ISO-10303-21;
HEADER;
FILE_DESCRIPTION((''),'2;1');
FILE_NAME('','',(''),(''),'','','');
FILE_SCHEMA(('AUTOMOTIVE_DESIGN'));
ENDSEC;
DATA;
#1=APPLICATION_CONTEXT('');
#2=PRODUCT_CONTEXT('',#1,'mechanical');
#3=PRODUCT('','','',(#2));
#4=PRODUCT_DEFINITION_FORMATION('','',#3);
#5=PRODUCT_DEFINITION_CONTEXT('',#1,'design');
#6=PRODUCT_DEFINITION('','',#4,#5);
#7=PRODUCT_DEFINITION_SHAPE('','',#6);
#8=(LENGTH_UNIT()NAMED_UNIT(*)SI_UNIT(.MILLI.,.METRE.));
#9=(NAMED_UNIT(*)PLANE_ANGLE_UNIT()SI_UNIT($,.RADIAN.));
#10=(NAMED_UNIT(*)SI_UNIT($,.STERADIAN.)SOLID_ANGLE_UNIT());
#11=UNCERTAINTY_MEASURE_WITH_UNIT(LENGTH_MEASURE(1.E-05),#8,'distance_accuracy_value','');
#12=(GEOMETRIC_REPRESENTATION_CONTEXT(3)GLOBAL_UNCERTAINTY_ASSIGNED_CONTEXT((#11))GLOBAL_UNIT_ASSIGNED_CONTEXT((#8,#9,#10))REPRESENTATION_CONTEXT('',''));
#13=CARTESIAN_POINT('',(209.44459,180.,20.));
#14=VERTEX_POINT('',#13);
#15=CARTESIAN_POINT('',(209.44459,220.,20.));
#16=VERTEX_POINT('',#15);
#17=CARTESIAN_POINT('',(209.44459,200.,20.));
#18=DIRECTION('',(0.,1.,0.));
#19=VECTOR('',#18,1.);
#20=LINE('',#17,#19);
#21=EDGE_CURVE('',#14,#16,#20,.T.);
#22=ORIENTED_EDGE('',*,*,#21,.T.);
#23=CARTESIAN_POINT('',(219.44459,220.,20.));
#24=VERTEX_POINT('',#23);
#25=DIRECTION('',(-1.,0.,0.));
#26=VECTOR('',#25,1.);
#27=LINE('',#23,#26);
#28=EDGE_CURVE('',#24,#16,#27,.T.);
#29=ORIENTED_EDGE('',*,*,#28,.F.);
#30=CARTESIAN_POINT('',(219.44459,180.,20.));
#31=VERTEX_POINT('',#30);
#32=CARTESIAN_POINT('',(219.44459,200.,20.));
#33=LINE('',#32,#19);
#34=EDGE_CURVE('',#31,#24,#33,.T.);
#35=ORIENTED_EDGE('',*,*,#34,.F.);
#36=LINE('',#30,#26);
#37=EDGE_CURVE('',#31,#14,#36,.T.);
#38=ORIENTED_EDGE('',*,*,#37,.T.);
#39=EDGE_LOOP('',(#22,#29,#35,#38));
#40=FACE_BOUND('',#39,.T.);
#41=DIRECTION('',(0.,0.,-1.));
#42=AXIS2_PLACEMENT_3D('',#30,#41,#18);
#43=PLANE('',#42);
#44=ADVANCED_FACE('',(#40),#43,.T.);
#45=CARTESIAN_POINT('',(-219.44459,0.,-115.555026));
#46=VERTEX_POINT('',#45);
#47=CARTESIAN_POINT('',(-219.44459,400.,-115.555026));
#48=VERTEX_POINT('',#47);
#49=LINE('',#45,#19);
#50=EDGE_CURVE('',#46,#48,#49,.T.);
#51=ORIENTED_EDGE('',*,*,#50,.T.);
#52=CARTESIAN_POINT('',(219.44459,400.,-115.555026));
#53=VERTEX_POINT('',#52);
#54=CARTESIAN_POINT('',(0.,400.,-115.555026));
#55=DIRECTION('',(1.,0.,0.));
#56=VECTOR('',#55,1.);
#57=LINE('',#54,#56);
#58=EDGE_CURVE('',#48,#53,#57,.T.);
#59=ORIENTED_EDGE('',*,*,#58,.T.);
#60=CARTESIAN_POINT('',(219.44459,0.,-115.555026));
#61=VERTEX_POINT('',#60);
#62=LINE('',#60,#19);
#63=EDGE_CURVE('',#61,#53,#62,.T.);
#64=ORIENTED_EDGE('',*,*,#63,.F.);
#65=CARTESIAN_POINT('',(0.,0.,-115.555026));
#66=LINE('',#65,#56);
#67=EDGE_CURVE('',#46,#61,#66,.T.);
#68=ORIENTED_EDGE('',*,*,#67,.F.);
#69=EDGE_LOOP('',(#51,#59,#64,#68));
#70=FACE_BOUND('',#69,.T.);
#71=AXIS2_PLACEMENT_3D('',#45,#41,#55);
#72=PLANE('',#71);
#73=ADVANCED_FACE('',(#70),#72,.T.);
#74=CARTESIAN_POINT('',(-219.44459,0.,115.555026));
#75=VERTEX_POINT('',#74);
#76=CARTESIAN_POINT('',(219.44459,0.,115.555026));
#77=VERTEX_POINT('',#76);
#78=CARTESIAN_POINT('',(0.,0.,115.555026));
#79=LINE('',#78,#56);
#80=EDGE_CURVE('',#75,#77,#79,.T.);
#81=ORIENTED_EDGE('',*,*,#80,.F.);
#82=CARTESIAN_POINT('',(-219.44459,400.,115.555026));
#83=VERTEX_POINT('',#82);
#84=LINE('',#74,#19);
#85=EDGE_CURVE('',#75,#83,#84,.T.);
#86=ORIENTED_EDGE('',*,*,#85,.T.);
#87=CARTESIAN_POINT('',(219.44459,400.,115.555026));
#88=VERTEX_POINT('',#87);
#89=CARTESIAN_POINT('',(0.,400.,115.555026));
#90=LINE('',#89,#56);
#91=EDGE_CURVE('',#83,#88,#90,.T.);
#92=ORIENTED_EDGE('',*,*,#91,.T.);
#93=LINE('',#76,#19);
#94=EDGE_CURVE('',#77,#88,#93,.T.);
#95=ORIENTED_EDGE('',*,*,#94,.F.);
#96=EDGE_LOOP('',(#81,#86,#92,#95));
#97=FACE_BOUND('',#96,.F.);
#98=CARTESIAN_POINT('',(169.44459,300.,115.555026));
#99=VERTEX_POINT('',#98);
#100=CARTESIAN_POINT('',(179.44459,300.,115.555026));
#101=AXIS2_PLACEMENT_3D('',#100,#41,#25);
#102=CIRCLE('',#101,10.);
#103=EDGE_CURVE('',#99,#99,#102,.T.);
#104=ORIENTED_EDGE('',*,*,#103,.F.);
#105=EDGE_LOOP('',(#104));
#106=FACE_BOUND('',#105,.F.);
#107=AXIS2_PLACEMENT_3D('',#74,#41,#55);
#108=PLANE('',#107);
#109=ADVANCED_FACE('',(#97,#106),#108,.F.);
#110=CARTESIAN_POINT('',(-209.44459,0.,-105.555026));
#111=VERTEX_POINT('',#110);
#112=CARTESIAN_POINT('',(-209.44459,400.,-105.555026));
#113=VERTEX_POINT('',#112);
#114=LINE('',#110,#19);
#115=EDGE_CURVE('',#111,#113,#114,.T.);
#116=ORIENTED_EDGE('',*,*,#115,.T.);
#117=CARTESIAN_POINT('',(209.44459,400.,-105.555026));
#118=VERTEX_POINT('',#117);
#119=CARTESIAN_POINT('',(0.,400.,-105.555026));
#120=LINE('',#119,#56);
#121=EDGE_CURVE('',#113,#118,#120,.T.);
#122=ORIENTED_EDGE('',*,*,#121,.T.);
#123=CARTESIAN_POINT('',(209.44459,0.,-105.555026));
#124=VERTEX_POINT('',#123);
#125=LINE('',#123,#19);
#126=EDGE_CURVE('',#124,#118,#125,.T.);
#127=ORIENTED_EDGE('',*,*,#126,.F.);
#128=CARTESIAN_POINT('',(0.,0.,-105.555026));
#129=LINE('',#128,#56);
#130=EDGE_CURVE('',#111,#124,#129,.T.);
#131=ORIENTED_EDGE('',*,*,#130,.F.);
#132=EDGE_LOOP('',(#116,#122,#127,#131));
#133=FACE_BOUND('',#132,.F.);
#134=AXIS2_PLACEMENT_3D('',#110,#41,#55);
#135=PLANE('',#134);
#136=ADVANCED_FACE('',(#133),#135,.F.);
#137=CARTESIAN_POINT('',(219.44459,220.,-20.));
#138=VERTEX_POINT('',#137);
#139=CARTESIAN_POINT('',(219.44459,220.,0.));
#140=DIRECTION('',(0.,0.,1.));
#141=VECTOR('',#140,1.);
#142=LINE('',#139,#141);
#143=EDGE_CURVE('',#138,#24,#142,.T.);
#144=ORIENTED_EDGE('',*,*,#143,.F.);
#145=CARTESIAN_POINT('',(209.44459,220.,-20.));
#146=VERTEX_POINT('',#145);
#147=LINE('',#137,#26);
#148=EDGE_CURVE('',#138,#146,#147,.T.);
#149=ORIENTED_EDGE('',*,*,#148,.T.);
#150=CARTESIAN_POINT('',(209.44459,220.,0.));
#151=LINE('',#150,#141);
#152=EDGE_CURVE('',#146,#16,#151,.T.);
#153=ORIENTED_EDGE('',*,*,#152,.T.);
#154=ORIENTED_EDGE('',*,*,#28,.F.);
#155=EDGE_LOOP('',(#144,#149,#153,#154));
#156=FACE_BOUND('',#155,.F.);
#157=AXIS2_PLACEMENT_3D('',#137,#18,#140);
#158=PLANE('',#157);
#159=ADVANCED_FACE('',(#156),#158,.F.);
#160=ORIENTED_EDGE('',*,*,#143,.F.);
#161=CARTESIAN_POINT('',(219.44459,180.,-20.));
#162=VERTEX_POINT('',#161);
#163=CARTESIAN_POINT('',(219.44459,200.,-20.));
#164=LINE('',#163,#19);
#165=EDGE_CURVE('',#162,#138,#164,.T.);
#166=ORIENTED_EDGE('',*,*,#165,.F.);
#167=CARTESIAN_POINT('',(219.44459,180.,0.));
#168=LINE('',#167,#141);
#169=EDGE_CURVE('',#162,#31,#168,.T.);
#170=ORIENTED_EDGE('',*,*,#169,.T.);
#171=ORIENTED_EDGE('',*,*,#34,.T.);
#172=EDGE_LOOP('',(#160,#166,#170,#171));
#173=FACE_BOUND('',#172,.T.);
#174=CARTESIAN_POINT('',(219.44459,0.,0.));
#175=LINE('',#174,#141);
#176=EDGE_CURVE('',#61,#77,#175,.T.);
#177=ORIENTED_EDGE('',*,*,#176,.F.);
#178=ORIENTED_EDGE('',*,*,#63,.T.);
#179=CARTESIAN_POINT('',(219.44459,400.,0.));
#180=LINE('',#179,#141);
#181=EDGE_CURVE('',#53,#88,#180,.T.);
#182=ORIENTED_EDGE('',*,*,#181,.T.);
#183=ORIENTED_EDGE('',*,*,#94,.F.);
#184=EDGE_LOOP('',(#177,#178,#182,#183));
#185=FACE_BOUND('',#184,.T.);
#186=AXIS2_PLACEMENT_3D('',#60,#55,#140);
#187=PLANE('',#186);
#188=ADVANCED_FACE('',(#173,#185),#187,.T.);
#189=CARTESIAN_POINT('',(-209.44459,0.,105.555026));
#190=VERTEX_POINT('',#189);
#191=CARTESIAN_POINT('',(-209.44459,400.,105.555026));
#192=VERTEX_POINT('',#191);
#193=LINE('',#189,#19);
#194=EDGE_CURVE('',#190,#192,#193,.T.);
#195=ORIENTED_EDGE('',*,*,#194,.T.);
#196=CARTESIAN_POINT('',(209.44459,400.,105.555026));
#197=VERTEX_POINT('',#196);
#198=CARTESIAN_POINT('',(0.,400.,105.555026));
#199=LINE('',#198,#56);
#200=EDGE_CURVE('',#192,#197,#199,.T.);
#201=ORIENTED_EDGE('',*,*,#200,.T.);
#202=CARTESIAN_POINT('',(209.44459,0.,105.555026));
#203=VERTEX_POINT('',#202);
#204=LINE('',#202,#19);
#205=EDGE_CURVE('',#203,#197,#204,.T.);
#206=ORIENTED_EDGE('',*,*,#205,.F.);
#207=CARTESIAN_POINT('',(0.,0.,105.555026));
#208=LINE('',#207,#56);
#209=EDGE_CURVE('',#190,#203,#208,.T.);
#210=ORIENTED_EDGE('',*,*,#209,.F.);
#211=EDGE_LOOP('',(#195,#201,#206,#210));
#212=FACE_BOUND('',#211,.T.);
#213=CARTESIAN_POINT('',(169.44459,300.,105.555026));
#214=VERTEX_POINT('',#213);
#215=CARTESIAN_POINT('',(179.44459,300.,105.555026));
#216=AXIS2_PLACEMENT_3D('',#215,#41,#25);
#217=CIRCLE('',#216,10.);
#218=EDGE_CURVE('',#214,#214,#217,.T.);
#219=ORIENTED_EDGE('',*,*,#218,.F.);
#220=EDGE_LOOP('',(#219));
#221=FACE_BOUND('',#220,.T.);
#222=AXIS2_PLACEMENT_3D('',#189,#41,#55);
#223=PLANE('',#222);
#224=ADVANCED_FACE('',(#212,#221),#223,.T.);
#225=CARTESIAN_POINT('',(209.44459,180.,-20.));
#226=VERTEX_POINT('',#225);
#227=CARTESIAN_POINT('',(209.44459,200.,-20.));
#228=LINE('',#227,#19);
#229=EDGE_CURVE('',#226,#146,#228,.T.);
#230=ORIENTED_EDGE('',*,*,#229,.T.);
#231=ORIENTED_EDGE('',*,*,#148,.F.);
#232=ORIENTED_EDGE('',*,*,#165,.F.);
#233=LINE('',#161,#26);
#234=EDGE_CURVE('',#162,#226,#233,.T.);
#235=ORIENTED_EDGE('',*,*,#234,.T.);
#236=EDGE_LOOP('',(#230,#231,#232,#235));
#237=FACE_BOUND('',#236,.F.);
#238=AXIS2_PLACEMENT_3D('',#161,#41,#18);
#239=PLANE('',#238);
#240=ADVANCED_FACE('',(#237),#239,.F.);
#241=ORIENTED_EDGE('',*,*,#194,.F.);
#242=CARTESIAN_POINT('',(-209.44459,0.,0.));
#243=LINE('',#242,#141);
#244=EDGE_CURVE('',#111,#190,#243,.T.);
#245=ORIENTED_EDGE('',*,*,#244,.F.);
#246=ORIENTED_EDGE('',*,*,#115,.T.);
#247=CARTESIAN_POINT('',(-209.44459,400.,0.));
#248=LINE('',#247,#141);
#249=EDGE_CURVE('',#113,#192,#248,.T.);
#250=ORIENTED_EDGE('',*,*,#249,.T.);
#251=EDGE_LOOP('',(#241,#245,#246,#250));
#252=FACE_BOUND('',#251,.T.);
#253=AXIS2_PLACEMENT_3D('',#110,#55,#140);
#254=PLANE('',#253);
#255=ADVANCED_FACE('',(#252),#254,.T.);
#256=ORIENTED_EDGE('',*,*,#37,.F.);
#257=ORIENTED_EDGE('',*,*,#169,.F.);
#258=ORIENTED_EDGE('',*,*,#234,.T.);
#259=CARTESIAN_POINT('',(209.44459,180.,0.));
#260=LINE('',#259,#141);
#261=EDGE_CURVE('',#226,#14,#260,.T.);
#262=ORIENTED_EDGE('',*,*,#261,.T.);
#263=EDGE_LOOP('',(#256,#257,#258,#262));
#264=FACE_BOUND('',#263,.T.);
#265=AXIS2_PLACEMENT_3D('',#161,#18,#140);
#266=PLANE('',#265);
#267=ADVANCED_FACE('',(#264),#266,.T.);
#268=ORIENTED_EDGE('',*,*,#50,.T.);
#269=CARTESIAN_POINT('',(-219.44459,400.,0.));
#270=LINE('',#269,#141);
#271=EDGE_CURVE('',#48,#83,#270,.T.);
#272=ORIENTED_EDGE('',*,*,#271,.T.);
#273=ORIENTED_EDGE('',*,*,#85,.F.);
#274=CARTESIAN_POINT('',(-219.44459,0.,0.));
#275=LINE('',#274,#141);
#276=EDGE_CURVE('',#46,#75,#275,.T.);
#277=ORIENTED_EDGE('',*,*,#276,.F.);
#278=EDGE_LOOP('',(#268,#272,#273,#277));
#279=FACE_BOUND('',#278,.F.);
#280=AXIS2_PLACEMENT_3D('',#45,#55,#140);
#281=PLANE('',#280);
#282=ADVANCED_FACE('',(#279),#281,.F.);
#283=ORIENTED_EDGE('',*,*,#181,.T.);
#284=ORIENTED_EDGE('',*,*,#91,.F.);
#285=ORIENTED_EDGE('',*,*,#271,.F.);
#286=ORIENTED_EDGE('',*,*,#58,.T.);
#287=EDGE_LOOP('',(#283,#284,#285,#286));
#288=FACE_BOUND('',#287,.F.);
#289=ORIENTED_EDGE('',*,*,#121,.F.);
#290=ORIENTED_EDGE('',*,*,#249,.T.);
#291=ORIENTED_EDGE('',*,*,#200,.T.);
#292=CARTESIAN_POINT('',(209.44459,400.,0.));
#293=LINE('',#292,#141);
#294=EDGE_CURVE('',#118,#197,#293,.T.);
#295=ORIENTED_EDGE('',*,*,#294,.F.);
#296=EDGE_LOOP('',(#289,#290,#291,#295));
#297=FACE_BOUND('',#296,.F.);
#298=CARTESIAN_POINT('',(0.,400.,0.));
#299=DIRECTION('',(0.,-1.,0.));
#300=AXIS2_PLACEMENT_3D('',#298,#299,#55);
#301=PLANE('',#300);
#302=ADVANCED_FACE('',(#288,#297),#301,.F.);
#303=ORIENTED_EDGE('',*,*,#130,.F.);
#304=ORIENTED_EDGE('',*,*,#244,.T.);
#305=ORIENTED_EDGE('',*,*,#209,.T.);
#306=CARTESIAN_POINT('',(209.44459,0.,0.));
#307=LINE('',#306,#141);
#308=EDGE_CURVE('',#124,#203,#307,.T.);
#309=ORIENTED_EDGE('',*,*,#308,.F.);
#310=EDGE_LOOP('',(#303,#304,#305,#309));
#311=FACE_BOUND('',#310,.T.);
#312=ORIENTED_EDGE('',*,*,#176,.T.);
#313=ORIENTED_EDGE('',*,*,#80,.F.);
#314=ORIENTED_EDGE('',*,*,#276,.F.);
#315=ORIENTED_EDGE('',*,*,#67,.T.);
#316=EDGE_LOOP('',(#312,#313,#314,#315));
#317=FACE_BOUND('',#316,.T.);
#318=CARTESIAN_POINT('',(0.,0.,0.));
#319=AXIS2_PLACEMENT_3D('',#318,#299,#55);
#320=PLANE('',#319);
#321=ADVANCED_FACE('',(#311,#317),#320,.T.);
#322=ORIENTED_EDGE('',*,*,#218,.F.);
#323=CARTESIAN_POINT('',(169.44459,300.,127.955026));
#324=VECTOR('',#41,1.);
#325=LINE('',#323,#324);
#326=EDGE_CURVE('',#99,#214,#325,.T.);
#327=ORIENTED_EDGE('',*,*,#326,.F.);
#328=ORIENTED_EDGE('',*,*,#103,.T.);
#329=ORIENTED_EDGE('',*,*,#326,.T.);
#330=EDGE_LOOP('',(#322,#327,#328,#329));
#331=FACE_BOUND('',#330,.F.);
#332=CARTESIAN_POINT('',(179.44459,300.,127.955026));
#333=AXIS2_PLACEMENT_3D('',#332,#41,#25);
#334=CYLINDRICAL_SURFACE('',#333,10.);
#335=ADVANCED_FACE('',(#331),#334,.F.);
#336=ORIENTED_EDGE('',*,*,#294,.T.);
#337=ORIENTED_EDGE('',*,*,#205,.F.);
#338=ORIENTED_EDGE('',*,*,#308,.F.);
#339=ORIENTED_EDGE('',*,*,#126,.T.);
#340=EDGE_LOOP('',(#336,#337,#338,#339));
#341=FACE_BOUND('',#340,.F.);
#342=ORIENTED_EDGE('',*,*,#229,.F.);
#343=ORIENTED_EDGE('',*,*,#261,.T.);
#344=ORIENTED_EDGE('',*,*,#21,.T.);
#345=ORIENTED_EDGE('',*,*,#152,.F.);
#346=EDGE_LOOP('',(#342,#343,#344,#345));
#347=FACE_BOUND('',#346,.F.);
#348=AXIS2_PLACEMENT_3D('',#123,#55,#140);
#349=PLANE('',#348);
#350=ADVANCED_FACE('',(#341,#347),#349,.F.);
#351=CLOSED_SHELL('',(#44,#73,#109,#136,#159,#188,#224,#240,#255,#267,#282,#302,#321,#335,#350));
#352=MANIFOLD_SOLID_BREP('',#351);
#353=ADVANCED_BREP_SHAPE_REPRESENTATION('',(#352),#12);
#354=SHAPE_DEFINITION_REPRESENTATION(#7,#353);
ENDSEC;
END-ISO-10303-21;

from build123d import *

# Parameters (mm, degrees)
F0_W     = 438.88918
F0_H     = 231.110052
F0_W_2   = 418.88918
F0_H_2   = 211.110052
F1_DEPTH = 400
F3_D     = 20
F3_DEPTH = 12.4
F4_W     = 40
F4_H     = 40
F5_DEPTH = 10


with BuildPart() as f1:
    # F0 (on Front) → F1 (new body)
    with BuildSketch(Plane.XZ):
        Rectangle(F0_W, F0_H)
        Rectangle(F0_W_2, F0_H_2, mode=Mode.SUBTRACT)
    extrude(amount=-F1_DEPTH)

    # F3
    with Locations(Plane.XY.offset(115.555026)):
        with Locations((179.44459, 300)):
            Hole(F3_D / 2, depth=F3_DEPTH)

    # F4 (on face) → F5 (cut, through all)
    with BuildSketch(Plane.YZ.offset(219.44459)):
        with Locations((200, 0)):
            Rectangle(F4_W, F4_H)
    extrude(amount=-F5_DEPTH, mode=Mode.SUBTRACT)


solid = f1.part
